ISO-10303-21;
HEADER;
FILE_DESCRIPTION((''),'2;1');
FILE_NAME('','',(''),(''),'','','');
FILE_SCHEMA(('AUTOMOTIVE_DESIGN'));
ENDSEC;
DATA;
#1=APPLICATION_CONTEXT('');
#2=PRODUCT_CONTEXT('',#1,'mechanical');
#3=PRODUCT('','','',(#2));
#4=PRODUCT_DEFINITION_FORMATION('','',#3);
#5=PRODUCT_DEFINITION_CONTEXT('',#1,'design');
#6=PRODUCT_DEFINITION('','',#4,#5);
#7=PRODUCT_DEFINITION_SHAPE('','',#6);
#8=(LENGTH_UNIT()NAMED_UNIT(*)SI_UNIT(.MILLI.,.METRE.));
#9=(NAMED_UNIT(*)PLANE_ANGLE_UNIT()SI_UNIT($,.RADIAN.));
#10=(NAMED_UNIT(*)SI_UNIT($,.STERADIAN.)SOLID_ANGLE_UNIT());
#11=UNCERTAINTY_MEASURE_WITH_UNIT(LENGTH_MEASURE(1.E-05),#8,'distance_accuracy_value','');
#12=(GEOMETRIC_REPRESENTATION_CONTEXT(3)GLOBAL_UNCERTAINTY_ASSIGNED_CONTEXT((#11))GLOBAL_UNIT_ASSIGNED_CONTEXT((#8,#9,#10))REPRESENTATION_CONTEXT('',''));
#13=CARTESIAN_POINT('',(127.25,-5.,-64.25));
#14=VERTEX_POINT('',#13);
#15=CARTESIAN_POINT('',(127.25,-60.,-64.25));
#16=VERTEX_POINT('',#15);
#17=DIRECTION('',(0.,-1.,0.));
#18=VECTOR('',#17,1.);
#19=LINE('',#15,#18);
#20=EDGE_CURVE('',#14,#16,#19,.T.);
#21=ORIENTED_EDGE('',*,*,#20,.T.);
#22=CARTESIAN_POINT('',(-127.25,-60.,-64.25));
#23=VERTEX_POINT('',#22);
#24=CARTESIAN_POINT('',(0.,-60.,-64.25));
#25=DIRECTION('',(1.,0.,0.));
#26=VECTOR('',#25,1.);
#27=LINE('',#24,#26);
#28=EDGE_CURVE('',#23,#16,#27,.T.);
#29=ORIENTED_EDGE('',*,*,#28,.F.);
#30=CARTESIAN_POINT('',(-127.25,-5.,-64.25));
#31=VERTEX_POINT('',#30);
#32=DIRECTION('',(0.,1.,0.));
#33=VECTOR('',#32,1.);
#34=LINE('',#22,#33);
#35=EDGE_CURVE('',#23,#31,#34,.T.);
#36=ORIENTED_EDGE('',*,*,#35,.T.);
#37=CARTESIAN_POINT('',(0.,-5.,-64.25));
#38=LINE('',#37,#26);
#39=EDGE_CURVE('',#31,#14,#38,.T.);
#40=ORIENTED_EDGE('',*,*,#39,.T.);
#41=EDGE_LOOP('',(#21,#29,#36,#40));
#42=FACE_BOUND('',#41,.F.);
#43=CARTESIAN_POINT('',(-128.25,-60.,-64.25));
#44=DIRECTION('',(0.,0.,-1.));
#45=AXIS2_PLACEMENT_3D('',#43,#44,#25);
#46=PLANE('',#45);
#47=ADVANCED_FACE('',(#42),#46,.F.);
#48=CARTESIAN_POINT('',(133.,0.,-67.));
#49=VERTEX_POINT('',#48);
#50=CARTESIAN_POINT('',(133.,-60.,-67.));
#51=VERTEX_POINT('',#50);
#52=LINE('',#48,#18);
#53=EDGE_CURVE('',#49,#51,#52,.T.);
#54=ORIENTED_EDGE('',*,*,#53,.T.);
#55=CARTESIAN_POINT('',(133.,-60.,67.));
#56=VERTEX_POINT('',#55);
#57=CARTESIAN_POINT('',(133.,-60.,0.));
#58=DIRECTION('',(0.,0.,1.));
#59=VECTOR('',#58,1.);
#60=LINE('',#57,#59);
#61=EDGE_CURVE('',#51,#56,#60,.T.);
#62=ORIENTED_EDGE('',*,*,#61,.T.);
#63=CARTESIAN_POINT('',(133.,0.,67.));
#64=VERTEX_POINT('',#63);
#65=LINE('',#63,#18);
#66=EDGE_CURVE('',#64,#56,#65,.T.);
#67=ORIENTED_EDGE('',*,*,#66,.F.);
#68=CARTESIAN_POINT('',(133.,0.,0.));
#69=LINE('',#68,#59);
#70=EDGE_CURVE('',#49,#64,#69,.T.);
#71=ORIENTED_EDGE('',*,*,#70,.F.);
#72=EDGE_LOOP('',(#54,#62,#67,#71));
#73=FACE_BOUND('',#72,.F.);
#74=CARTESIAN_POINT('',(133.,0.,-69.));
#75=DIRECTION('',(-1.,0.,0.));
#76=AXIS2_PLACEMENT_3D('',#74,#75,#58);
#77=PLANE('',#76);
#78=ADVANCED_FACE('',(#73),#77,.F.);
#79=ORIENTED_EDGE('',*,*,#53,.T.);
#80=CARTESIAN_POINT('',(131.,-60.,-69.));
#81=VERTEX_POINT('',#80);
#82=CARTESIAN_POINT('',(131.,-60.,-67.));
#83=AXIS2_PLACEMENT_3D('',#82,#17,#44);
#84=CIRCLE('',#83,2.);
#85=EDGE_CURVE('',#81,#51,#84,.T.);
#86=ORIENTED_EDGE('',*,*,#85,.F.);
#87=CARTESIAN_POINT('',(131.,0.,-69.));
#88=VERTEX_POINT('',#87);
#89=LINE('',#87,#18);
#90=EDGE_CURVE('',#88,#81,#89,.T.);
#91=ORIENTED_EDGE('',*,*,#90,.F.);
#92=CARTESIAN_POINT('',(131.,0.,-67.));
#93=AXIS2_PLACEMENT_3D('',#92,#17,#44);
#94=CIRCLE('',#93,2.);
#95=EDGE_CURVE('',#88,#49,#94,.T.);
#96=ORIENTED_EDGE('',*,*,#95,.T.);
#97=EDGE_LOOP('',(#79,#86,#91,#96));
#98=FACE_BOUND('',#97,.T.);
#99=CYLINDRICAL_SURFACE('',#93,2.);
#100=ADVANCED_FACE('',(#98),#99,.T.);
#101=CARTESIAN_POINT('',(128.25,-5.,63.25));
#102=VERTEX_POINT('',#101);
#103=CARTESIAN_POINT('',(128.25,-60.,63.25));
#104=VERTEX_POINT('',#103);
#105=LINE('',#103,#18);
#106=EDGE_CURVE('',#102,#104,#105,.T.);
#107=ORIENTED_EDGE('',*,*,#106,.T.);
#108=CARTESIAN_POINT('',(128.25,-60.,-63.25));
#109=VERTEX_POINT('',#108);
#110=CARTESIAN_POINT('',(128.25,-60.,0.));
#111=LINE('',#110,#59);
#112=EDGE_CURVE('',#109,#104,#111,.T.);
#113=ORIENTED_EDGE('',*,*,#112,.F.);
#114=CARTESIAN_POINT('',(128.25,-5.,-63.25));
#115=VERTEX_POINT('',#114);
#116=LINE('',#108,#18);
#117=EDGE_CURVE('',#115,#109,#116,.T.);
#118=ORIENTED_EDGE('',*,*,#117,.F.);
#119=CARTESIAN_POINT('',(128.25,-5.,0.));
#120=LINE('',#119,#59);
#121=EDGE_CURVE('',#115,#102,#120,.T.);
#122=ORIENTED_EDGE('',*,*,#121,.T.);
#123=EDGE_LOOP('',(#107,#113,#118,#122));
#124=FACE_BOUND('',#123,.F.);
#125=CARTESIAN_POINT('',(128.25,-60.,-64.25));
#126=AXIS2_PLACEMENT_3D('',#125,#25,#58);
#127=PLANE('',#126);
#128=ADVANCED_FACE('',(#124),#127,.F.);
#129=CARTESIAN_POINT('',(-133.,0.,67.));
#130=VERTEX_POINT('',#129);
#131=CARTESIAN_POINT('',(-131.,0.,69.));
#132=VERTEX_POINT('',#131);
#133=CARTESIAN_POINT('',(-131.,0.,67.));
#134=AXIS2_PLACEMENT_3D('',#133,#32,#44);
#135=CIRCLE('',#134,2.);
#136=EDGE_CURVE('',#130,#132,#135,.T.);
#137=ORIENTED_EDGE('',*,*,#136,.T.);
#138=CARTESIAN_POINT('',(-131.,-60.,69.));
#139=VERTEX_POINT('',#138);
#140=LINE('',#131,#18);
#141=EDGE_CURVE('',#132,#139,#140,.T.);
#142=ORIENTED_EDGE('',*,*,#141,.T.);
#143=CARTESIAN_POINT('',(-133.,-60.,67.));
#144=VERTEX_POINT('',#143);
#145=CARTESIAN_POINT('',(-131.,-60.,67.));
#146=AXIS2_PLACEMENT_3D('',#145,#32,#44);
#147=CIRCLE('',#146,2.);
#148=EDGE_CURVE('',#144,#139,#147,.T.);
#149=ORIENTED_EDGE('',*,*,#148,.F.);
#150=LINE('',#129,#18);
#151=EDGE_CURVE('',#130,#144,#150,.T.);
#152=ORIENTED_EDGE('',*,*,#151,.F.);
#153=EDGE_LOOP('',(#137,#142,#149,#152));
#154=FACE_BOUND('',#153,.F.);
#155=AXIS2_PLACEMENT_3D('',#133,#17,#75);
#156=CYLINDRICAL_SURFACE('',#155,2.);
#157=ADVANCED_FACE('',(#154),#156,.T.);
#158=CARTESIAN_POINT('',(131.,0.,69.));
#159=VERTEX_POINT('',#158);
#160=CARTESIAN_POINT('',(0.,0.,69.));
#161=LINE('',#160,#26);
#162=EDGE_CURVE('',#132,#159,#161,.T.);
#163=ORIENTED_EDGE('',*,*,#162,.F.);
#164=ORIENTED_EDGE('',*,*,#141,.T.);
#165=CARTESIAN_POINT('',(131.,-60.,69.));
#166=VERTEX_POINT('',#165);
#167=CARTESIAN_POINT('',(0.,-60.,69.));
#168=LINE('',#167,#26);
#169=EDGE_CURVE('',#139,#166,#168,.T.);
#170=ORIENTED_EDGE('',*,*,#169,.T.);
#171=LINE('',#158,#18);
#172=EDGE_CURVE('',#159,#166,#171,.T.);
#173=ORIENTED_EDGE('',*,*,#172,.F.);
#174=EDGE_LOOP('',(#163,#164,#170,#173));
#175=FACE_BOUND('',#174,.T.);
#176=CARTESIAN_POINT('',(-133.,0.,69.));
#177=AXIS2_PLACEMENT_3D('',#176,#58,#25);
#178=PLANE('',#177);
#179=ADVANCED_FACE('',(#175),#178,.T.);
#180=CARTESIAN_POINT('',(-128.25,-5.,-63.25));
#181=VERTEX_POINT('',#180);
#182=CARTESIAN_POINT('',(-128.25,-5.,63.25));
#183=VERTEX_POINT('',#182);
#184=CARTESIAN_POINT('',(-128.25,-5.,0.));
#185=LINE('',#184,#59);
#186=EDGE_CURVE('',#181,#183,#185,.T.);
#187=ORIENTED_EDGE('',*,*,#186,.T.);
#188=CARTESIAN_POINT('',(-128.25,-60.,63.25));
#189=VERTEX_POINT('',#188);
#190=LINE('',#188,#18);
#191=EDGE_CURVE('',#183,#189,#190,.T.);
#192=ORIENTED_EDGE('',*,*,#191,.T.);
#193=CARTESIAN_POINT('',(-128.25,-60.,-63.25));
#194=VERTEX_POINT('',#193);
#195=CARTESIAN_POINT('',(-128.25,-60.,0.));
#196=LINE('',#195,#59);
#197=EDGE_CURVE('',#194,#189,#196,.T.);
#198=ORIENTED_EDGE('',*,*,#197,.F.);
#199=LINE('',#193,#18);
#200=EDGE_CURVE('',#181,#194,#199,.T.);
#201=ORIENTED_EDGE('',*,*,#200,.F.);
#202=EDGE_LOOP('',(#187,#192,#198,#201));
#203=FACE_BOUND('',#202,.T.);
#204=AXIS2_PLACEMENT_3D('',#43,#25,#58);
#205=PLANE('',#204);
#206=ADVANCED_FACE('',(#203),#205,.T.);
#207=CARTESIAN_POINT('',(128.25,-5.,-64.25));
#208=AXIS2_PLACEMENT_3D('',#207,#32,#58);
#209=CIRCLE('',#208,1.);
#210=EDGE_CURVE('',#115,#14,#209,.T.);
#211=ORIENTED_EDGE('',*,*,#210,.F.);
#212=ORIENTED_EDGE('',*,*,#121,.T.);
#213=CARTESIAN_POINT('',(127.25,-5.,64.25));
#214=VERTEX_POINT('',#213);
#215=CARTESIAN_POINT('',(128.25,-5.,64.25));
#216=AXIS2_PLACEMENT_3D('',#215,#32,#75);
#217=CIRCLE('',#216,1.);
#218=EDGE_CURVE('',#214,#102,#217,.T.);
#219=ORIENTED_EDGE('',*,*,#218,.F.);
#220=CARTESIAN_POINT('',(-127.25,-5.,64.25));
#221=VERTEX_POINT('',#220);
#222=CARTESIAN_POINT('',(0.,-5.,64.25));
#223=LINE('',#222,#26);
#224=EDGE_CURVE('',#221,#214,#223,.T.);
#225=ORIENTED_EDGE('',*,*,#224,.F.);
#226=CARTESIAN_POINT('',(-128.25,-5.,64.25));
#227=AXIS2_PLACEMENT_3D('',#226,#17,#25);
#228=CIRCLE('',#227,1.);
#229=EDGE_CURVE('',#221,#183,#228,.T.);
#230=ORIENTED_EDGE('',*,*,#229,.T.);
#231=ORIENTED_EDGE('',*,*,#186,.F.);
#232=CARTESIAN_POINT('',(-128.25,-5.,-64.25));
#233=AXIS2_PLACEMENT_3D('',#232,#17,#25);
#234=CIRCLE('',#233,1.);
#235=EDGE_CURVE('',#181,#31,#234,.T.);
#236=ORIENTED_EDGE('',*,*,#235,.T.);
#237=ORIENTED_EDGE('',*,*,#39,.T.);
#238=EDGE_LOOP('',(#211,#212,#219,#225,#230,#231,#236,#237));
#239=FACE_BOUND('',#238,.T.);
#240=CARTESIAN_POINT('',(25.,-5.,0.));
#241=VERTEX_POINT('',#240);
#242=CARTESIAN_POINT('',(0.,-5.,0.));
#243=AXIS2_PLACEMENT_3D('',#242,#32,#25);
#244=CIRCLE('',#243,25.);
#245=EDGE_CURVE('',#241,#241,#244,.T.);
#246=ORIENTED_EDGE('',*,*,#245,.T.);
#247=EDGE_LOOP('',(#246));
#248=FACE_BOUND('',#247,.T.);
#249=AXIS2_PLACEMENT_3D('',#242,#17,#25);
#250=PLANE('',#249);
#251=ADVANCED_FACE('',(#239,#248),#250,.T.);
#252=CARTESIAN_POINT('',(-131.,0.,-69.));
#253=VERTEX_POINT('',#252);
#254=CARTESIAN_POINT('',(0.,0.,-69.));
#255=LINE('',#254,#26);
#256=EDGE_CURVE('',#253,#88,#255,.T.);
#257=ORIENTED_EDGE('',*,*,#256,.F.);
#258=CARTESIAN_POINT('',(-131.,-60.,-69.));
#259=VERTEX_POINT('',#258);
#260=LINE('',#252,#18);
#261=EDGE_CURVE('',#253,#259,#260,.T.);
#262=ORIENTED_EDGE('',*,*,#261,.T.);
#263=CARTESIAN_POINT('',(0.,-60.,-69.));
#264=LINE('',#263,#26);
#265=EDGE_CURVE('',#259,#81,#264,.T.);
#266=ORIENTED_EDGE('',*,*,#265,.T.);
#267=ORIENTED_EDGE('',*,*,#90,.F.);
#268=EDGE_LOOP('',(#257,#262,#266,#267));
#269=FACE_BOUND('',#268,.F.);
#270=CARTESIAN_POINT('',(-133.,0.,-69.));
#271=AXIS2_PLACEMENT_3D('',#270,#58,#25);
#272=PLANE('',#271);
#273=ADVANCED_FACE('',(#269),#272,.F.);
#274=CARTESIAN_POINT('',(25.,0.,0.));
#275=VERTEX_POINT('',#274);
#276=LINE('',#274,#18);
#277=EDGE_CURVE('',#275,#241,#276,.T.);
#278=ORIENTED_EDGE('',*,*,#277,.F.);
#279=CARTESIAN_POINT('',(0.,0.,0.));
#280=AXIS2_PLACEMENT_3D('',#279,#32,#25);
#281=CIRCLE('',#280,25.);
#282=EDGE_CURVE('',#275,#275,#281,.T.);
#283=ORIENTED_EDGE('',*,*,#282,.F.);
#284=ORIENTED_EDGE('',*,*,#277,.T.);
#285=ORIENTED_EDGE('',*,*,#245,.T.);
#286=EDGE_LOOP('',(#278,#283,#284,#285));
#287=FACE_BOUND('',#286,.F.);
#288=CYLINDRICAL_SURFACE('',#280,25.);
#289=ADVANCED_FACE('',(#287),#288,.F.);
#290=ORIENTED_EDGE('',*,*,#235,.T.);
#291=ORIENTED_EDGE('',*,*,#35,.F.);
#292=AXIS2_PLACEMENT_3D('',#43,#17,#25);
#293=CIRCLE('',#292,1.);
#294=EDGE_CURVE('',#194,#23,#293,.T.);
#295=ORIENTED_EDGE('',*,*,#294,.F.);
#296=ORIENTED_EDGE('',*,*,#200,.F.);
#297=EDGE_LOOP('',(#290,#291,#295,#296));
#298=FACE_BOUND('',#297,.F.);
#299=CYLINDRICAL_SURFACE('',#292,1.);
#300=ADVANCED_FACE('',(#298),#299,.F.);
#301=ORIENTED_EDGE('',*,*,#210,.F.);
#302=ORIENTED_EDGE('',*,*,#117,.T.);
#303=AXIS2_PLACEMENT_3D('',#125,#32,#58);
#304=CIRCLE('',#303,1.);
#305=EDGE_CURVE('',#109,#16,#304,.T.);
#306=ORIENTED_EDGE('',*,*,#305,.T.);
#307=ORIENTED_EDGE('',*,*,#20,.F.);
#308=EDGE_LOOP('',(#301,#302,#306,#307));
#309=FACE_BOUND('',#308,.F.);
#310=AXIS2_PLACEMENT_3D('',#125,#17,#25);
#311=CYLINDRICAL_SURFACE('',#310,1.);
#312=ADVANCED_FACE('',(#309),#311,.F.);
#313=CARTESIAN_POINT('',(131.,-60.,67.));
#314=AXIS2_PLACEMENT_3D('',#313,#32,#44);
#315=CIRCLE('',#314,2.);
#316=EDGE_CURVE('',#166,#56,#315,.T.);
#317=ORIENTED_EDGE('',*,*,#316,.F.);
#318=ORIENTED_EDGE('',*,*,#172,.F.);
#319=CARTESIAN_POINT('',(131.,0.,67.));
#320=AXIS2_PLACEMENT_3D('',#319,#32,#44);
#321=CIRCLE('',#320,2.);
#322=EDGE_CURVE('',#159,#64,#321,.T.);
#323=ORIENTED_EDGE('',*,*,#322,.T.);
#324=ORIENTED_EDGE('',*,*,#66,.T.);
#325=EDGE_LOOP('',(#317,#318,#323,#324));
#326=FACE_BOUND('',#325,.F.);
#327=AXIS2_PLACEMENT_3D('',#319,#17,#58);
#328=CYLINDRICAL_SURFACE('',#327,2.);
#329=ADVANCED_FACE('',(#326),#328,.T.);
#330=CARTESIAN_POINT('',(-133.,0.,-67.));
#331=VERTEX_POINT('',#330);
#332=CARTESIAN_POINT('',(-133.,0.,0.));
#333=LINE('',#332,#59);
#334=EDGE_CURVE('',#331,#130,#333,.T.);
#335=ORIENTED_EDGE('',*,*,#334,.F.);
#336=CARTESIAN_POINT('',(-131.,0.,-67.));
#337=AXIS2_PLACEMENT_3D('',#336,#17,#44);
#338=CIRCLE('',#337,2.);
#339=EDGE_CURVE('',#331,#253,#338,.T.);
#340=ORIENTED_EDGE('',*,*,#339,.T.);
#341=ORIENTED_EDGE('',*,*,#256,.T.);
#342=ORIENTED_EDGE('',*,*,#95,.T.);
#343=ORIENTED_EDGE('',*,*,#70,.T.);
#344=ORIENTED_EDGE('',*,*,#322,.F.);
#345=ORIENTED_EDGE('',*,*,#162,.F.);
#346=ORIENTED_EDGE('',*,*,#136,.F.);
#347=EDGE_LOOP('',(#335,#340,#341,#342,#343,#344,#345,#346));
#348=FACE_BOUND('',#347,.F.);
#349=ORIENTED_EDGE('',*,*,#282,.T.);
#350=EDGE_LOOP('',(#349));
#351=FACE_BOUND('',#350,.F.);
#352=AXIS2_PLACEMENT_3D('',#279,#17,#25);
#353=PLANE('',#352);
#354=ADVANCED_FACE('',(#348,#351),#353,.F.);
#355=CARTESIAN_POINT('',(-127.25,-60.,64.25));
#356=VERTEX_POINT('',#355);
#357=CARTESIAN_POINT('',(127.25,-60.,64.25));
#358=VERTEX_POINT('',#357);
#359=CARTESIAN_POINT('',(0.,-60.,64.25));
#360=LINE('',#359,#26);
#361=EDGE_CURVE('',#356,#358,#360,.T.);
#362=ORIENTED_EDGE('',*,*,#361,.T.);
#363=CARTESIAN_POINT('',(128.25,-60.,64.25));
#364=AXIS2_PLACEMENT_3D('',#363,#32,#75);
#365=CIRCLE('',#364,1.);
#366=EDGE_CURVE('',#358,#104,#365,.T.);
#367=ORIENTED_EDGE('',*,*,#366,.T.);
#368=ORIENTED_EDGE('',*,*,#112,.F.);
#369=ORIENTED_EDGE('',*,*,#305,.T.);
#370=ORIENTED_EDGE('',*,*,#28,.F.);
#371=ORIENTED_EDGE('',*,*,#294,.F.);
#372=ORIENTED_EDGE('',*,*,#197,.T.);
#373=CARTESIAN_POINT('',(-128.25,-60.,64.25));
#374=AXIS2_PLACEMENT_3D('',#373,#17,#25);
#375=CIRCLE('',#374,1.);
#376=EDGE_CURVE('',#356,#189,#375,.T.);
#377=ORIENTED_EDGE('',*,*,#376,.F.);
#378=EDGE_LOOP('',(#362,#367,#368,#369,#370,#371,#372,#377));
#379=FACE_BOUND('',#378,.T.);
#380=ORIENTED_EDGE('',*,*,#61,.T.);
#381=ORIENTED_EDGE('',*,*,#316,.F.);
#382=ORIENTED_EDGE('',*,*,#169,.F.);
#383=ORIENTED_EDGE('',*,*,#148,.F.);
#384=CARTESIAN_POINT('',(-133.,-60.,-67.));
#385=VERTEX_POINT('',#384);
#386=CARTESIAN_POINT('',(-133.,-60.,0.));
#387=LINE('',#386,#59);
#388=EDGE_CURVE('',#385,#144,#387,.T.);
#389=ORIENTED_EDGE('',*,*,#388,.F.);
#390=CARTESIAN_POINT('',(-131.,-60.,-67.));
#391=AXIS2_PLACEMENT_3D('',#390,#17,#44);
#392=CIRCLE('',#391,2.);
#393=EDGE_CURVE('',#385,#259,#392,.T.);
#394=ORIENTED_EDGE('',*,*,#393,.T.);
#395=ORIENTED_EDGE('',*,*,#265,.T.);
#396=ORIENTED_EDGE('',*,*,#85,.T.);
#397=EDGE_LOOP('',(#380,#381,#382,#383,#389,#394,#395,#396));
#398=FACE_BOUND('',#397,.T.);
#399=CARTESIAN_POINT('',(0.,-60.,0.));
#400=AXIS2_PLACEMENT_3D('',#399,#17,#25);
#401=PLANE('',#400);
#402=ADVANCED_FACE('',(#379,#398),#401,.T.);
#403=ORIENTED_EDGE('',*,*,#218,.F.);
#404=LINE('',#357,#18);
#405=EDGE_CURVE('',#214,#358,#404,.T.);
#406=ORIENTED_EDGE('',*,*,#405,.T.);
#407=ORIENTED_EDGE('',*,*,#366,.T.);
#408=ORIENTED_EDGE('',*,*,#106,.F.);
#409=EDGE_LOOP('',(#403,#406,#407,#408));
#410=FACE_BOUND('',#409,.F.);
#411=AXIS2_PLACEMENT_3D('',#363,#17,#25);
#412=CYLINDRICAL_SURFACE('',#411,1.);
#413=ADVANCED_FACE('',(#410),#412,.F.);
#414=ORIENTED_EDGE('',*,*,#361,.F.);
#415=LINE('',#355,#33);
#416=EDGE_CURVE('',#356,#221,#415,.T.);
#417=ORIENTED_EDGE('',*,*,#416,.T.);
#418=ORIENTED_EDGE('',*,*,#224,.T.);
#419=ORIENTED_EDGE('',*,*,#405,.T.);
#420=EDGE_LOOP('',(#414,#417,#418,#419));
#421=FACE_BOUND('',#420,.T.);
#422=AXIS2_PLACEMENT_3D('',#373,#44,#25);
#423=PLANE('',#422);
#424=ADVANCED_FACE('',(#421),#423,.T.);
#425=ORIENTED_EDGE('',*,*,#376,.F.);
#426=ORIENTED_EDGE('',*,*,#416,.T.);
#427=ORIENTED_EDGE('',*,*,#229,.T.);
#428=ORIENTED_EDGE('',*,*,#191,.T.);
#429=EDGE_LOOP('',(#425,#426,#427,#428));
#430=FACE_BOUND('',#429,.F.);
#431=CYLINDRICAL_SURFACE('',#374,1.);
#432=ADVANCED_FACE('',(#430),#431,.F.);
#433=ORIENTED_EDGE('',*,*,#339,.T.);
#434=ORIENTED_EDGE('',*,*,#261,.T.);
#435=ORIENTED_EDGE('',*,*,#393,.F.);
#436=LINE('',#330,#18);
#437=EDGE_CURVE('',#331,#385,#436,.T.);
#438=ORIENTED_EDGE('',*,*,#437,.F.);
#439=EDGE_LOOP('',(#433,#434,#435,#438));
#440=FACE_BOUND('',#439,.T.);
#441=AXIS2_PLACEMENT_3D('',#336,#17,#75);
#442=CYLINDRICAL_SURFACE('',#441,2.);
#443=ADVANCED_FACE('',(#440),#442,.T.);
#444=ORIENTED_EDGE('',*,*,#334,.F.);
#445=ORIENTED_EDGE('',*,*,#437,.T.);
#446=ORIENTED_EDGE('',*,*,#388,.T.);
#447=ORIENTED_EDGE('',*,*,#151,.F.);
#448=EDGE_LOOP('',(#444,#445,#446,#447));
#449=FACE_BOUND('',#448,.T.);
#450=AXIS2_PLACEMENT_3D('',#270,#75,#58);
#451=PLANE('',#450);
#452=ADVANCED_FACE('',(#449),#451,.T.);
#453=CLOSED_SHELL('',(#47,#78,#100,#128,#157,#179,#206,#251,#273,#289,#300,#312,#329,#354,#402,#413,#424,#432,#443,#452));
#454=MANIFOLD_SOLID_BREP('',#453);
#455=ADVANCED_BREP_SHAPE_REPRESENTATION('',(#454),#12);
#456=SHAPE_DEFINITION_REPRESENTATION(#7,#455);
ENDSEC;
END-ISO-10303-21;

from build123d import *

# Parameters (mm, degrees)
SKETCH_W        = 266
SKETCH_H        = 138
PAD_DEPTH       = 60
SKETCH001_W     = 256.5
SKETCH001_H     = 128.5
POCKET_DEPTH    = 55
FILLET_R        = 2
SKETCH002_R     = 25
POCKET001_DEPTH = 60.001
SKETCH003_R     = 1
POCKET002_DEPTH = 55


with BuildPart() as part:
    # Sketch → Pad (new body)
    with BuildSketch(Plane.XZ):
        Rectangle(SKETCH_W, SKETCH_H)
    extrude(amount=PAD_DEPTH)

    # Sketch001 (on Face6 of Pad) → Pocket (cut)
    with BuildSketch(Plane.XZ.offset(60)):
        Rectangle(SKETCH001_W, SKETCH001_H)
    extrude(amount=-POCKET_DEPTH, mode=Mode.SUBTRACT)

    # Fillet
    fillet_edges = [part.edges().sort_by_distance(p)[0] for p in [
        (-133, -30, 69),
        (133, -30, 69),
        (-133, -30, -69),
        (133, -30, -69),
    ]]
    fillet(fillet_edges, radius=FILLET_R)

    # Sketch002 (on Face2 of Fillet) → Pocket001 (cut, through all)
    with BuildSketch(Plane(origin=(0, 0, 0), x_dir=(1, 0, 0), z_dir=(0, 1, 0))):
        Circle(SKETCH002_R)
    extrude(amount=-POCKET001_DEPTH, mode=Mode.SUBTRACT)

    # Sketch003 (on Face5 of Pocket) → Pocket002 (cut)
    with BuildSketch(Plane.XZ.offset(60)):
        with Locations((-128.25, 64.25)):
            Circle(SKETCH003_R)
        with Locations((128.25, 64.25)):
            Circle(SKETCH003_R)
        with Locations((128.25, -64.25)):
            Circle(SKETCH003_R)
        with Locations((-128.25, -64.25)):
            Circle(SKETCH003_R)
    extrude(amount=-POCKET002_DEPTH, mode=Mode.SUBTRACT)


solid = part.part
